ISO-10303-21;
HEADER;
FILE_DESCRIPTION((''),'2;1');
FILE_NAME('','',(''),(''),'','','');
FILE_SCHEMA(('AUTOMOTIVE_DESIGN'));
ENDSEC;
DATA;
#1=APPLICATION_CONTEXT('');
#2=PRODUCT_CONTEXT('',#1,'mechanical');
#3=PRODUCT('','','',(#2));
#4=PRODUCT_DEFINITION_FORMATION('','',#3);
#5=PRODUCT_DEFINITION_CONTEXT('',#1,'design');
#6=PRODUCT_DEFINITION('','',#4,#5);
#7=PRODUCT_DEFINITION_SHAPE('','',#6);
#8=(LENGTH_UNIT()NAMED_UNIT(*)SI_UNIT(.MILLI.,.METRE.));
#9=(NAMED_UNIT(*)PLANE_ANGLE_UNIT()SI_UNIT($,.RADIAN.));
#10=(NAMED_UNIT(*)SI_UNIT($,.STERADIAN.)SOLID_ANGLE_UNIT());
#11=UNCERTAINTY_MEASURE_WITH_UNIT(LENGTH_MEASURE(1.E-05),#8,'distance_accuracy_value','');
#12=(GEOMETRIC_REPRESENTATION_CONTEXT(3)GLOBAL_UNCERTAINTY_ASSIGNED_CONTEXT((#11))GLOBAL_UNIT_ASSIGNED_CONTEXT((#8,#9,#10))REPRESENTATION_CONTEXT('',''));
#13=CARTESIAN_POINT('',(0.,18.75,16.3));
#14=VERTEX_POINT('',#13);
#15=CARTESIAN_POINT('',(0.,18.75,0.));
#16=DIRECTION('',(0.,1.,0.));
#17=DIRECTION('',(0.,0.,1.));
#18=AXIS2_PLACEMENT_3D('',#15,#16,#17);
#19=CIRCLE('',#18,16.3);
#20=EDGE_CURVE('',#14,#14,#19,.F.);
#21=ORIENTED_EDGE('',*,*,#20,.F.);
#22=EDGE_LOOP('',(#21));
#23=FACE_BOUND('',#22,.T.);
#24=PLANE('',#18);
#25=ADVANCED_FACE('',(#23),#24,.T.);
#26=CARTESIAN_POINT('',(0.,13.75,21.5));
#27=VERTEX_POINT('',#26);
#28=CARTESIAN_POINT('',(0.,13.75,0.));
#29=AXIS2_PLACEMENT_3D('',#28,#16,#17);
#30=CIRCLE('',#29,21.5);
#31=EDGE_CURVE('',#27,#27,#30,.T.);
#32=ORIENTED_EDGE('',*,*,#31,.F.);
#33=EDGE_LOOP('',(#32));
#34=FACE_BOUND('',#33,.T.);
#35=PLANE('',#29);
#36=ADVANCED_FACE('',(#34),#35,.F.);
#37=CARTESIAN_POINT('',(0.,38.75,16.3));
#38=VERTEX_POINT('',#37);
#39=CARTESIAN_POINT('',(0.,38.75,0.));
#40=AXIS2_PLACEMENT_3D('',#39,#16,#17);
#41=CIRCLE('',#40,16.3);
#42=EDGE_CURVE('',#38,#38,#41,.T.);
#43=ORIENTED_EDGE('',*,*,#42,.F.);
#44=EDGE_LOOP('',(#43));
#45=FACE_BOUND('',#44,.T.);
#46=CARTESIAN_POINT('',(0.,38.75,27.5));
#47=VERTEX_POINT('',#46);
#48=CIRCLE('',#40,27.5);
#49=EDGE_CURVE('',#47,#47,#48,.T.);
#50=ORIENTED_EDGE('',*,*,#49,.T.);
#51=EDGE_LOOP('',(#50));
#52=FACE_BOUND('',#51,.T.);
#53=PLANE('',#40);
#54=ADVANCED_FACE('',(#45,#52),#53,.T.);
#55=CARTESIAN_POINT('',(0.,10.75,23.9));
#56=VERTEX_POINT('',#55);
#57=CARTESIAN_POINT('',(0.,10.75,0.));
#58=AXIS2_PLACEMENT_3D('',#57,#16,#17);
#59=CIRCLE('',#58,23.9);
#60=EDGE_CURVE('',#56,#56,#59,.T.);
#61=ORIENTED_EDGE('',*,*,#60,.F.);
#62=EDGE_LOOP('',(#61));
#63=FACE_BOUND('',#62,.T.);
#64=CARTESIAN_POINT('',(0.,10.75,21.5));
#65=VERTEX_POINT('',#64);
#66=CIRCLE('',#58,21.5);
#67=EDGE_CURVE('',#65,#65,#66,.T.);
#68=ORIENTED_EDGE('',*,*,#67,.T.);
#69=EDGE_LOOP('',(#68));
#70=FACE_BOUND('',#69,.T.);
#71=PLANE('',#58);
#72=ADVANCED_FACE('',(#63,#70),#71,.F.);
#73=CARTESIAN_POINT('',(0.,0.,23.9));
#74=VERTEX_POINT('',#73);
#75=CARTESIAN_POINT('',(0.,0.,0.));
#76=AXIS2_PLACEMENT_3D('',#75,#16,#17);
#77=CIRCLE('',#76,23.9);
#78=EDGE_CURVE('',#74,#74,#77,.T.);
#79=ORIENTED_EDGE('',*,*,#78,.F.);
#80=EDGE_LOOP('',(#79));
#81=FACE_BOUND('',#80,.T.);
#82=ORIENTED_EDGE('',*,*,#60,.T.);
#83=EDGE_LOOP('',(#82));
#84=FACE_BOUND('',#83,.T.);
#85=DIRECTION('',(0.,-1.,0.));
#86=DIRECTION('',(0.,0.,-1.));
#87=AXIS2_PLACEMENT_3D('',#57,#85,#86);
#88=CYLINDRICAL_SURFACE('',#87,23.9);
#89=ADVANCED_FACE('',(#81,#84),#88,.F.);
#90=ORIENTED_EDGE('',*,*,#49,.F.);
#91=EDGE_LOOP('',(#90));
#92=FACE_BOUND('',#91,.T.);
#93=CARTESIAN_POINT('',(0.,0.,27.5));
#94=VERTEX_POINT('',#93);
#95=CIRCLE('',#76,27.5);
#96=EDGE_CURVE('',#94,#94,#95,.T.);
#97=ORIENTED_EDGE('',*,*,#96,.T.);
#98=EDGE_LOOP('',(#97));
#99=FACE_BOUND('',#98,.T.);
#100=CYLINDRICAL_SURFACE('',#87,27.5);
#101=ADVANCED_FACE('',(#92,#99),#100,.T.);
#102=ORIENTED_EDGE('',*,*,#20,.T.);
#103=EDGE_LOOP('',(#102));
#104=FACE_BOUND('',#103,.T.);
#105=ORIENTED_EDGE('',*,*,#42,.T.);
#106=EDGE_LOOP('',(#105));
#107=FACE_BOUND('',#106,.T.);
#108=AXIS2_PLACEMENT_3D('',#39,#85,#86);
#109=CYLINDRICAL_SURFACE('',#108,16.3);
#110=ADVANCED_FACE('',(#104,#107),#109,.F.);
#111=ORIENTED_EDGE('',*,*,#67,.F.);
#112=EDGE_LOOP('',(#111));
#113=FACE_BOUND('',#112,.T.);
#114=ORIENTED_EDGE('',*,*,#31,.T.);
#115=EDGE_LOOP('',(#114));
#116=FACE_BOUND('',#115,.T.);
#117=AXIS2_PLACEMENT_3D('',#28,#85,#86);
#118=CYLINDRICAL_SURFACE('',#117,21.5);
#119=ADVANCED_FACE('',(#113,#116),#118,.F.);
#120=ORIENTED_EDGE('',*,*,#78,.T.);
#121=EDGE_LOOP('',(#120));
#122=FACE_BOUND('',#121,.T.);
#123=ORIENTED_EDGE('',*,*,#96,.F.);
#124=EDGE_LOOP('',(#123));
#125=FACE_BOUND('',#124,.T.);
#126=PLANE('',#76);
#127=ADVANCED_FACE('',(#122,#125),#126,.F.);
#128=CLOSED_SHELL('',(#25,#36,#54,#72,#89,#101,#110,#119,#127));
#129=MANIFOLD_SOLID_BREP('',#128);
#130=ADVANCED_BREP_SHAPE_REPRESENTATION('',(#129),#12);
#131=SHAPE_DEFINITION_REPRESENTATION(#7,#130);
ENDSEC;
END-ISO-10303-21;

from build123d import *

# Parameters (mm, degrees)
SKETCH1_R           = 27.5
SKETCH1_R_2         = 23.9
BOSS_EXTRUDE1_DEPTH = 10.75
SKETCH2_R           = 27.5
SKETCH2_R_2         = 21.5
BOSS_EXTRUDE2_DEPTH = 3
SKETCH3_R           = 27.5
BOSS_EXTRUDE3_DEPTH = 5
SKETCH4_R           = 27.5
SKETCH4_R_2         = 16.3
BOSS_EXTRUDE4_DEPTH = 20


with BuildPart() as part:
    # Sketch1 → Boss-Extrude1 (new body)
    with BuildSketch(Plane(origin=(0, 0, 0), x_dir=(1, 0, 0), z_dir=(0, 1, 0))):
        with Locations(Location((0, 0, 0), (0, 0, 270))):
            Circle(SKETCH1_R)
        with Locations(Location((0, 0, 0), (0, 0, 270))):
            Circle(SKETCH1_R_2, mode=Mode.SUBTRACT)
    extrude(amount=BOSS_EXTRUDE1_DEPTH)

    # Sketch2 → Boss-Extrude2 (add)
    with BuildSketch(Plane(origin=(0, 10.75, 0), x_dir=(1, 0, 0), z_dir=(0, 1, 0))):
        with Locations(Location((0, 0, 0), (0, 0, 270))):
            Circle(SKETCH2_R)
        with Locations(Location((0, 0, 0), (0, 0, 270))):
            Circle(SKETCH2_R_2, mode=Mode.SUBTRACT)
    extrude(amount=BOSS_EXTRUDE2_DEPTH)

    # Sketch3 → Boss-Extrude3 (add)
    with BuildSketch(Plane(origin=(0, 13.75, 0), x_dir=(1, 0, 0), z_dir=(0, 1, 0))):
        with Locations(Location((0, 0, 0), (0, 0, 270))):
            Circle(SKETCH3_R)
    extrude(amount=BOSS_EXTRUDE3_DEPTH)

    # Sketch4 → Boss-Extrude4 (add)
    with BuildSketch(Plane(origin=(0, 18.75, 0), x_dir=(1, 0, 0), z_dir=(0, 1, 0))):
        with Locations(Location((0, 0, 0), (0, 0, 270))):
            Circle(SKETCH4_R)
        with Locations(Location((0, 0, 0), (0, 0, 270))):
            Circle(SKETCH4_R_2, mode=Mode.SUBTRACT)
    extrude(amount=BOSS_EXTRUDE4_DEPTH)


solid = part.part
